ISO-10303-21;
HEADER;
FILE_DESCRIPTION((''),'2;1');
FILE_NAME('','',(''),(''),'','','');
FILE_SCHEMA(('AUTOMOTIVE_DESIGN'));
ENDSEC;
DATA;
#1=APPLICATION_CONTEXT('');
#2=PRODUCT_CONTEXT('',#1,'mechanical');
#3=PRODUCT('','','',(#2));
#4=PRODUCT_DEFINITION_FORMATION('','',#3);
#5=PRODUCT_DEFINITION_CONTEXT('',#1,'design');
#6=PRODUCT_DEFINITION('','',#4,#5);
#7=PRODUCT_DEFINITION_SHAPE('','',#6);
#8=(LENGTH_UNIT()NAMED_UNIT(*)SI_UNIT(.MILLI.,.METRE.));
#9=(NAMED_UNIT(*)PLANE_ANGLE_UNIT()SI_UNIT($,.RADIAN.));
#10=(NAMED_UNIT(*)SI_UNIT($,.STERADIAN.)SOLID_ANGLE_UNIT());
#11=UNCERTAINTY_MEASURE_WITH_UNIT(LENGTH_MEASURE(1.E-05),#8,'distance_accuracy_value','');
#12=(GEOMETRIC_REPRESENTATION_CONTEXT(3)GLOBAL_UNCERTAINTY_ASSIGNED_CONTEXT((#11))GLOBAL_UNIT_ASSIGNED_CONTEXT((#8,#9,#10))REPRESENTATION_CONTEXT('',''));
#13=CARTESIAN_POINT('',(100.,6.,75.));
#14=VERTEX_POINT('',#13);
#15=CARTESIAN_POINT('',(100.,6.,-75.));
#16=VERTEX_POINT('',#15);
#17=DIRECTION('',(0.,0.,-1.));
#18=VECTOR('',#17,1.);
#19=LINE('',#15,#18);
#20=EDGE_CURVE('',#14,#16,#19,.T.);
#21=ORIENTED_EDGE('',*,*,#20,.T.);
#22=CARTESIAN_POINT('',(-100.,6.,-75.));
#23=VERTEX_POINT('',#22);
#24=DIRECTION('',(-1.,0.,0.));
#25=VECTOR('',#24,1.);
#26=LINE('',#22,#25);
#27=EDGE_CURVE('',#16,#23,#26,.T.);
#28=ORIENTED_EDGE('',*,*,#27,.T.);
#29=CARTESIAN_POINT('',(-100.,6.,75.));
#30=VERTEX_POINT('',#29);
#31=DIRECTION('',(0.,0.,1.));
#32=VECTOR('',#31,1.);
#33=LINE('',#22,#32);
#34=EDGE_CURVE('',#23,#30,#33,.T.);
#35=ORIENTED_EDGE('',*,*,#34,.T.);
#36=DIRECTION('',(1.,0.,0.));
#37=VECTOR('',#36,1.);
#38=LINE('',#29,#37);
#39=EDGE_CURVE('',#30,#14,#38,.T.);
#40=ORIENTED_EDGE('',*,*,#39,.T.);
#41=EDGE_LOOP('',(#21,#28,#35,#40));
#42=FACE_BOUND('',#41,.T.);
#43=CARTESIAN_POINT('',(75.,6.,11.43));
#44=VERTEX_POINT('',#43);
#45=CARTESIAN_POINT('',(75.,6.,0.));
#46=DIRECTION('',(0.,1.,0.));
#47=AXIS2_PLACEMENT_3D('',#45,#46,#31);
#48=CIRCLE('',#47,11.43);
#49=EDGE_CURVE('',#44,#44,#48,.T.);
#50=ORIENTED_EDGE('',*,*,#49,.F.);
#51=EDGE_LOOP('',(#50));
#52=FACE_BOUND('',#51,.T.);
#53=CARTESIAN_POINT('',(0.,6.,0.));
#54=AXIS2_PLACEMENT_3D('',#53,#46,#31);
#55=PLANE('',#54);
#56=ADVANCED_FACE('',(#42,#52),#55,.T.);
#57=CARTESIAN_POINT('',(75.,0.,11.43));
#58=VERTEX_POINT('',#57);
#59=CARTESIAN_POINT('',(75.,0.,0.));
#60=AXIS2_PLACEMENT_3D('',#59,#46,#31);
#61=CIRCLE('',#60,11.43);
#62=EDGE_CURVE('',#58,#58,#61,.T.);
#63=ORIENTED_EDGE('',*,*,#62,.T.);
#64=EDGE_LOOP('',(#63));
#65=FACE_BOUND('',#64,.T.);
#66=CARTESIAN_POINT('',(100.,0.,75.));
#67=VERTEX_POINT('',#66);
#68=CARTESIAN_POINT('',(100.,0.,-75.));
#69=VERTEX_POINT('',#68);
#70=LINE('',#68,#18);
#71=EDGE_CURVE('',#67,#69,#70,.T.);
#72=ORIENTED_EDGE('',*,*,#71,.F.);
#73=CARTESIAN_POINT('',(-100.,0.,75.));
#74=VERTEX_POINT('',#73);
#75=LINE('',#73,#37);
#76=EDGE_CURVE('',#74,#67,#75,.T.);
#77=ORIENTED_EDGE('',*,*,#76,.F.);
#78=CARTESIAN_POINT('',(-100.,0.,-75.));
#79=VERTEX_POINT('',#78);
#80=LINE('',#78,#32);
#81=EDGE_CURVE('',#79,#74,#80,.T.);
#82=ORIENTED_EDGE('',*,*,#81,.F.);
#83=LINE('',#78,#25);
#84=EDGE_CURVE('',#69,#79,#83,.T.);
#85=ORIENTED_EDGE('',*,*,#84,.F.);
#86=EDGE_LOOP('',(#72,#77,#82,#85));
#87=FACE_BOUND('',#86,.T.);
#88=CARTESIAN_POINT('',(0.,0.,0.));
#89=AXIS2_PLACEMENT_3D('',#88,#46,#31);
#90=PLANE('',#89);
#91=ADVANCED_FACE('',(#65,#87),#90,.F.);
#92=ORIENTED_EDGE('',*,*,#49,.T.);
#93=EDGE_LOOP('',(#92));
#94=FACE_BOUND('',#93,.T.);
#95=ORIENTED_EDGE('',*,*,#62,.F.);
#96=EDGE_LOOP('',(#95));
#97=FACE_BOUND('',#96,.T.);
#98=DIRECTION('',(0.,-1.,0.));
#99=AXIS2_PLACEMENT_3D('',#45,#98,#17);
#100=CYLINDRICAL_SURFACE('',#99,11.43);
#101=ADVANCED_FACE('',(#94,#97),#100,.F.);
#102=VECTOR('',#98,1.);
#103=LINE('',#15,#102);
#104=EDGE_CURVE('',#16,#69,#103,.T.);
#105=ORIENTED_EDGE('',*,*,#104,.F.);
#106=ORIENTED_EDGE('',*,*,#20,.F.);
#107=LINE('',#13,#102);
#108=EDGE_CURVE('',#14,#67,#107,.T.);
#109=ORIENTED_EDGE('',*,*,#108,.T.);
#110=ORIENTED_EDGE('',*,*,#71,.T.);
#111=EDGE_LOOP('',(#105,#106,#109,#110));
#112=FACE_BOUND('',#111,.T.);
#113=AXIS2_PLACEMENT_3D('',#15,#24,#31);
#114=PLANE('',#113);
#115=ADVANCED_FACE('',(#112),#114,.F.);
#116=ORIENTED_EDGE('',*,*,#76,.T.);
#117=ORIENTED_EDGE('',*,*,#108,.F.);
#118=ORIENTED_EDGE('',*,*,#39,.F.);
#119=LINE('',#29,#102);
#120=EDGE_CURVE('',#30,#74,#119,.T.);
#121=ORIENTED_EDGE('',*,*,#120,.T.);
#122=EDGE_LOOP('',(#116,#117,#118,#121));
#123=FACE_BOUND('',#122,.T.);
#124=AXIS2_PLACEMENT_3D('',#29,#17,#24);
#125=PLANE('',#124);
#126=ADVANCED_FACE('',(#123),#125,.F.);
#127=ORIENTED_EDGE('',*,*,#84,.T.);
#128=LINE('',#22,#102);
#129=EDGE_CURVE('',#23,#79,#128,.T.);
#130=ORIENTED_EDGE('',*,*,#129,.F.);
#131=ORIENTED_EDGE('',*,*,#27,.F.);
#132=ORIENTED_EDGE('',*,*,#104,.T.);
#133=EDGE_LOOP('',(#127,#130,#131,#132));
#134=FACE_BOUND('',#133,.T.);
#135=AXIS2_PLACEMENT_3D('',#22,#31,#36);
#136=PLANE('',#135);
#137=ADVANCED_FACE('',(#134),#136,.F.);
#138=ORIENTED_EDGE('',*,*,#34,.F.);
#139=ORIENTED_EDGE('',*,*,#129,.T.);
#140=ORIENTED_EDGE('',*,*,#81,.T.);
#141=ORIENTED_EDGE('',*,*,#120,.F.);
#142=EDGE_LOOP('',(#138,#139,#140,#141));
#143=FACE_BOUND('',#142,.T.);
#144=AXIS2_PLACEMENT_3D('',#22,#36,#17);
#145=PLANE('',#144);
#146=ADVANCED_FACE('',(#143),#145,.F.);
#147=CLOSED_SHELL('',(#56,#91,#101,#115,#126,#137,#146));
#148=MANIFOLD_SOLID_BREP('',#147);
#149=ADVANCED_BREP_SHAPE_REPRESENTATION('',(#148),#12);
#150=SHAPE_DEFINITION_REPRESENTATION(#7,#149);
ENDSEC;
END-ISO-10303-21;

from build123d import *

# Parameters (mm, degrees)
SKETCH1_W           = 200
SKETCH1_H           = 150
SKETCH1_R           = 11.43
BOSS_EXTRUDE1_DEPTH = 6


with BuildPart() as part:
    # Sketch1 → Boss-Extrude1 (new body)
    with BuildSketch(Plane(origin=(0, 0, 0), x_dir=(1, 0, 0), z_dir=(0, 1, 0))):
        Rectangle(SKETCH1_W, SKETCH1_H)
        with Locations((75, 0)):
            Circle(SKETCH1_R, mode=Mode.SUBTRACT)
    extrude(amount=BOSS_EXTRUDE1_DEPTH)


solid = part.part
